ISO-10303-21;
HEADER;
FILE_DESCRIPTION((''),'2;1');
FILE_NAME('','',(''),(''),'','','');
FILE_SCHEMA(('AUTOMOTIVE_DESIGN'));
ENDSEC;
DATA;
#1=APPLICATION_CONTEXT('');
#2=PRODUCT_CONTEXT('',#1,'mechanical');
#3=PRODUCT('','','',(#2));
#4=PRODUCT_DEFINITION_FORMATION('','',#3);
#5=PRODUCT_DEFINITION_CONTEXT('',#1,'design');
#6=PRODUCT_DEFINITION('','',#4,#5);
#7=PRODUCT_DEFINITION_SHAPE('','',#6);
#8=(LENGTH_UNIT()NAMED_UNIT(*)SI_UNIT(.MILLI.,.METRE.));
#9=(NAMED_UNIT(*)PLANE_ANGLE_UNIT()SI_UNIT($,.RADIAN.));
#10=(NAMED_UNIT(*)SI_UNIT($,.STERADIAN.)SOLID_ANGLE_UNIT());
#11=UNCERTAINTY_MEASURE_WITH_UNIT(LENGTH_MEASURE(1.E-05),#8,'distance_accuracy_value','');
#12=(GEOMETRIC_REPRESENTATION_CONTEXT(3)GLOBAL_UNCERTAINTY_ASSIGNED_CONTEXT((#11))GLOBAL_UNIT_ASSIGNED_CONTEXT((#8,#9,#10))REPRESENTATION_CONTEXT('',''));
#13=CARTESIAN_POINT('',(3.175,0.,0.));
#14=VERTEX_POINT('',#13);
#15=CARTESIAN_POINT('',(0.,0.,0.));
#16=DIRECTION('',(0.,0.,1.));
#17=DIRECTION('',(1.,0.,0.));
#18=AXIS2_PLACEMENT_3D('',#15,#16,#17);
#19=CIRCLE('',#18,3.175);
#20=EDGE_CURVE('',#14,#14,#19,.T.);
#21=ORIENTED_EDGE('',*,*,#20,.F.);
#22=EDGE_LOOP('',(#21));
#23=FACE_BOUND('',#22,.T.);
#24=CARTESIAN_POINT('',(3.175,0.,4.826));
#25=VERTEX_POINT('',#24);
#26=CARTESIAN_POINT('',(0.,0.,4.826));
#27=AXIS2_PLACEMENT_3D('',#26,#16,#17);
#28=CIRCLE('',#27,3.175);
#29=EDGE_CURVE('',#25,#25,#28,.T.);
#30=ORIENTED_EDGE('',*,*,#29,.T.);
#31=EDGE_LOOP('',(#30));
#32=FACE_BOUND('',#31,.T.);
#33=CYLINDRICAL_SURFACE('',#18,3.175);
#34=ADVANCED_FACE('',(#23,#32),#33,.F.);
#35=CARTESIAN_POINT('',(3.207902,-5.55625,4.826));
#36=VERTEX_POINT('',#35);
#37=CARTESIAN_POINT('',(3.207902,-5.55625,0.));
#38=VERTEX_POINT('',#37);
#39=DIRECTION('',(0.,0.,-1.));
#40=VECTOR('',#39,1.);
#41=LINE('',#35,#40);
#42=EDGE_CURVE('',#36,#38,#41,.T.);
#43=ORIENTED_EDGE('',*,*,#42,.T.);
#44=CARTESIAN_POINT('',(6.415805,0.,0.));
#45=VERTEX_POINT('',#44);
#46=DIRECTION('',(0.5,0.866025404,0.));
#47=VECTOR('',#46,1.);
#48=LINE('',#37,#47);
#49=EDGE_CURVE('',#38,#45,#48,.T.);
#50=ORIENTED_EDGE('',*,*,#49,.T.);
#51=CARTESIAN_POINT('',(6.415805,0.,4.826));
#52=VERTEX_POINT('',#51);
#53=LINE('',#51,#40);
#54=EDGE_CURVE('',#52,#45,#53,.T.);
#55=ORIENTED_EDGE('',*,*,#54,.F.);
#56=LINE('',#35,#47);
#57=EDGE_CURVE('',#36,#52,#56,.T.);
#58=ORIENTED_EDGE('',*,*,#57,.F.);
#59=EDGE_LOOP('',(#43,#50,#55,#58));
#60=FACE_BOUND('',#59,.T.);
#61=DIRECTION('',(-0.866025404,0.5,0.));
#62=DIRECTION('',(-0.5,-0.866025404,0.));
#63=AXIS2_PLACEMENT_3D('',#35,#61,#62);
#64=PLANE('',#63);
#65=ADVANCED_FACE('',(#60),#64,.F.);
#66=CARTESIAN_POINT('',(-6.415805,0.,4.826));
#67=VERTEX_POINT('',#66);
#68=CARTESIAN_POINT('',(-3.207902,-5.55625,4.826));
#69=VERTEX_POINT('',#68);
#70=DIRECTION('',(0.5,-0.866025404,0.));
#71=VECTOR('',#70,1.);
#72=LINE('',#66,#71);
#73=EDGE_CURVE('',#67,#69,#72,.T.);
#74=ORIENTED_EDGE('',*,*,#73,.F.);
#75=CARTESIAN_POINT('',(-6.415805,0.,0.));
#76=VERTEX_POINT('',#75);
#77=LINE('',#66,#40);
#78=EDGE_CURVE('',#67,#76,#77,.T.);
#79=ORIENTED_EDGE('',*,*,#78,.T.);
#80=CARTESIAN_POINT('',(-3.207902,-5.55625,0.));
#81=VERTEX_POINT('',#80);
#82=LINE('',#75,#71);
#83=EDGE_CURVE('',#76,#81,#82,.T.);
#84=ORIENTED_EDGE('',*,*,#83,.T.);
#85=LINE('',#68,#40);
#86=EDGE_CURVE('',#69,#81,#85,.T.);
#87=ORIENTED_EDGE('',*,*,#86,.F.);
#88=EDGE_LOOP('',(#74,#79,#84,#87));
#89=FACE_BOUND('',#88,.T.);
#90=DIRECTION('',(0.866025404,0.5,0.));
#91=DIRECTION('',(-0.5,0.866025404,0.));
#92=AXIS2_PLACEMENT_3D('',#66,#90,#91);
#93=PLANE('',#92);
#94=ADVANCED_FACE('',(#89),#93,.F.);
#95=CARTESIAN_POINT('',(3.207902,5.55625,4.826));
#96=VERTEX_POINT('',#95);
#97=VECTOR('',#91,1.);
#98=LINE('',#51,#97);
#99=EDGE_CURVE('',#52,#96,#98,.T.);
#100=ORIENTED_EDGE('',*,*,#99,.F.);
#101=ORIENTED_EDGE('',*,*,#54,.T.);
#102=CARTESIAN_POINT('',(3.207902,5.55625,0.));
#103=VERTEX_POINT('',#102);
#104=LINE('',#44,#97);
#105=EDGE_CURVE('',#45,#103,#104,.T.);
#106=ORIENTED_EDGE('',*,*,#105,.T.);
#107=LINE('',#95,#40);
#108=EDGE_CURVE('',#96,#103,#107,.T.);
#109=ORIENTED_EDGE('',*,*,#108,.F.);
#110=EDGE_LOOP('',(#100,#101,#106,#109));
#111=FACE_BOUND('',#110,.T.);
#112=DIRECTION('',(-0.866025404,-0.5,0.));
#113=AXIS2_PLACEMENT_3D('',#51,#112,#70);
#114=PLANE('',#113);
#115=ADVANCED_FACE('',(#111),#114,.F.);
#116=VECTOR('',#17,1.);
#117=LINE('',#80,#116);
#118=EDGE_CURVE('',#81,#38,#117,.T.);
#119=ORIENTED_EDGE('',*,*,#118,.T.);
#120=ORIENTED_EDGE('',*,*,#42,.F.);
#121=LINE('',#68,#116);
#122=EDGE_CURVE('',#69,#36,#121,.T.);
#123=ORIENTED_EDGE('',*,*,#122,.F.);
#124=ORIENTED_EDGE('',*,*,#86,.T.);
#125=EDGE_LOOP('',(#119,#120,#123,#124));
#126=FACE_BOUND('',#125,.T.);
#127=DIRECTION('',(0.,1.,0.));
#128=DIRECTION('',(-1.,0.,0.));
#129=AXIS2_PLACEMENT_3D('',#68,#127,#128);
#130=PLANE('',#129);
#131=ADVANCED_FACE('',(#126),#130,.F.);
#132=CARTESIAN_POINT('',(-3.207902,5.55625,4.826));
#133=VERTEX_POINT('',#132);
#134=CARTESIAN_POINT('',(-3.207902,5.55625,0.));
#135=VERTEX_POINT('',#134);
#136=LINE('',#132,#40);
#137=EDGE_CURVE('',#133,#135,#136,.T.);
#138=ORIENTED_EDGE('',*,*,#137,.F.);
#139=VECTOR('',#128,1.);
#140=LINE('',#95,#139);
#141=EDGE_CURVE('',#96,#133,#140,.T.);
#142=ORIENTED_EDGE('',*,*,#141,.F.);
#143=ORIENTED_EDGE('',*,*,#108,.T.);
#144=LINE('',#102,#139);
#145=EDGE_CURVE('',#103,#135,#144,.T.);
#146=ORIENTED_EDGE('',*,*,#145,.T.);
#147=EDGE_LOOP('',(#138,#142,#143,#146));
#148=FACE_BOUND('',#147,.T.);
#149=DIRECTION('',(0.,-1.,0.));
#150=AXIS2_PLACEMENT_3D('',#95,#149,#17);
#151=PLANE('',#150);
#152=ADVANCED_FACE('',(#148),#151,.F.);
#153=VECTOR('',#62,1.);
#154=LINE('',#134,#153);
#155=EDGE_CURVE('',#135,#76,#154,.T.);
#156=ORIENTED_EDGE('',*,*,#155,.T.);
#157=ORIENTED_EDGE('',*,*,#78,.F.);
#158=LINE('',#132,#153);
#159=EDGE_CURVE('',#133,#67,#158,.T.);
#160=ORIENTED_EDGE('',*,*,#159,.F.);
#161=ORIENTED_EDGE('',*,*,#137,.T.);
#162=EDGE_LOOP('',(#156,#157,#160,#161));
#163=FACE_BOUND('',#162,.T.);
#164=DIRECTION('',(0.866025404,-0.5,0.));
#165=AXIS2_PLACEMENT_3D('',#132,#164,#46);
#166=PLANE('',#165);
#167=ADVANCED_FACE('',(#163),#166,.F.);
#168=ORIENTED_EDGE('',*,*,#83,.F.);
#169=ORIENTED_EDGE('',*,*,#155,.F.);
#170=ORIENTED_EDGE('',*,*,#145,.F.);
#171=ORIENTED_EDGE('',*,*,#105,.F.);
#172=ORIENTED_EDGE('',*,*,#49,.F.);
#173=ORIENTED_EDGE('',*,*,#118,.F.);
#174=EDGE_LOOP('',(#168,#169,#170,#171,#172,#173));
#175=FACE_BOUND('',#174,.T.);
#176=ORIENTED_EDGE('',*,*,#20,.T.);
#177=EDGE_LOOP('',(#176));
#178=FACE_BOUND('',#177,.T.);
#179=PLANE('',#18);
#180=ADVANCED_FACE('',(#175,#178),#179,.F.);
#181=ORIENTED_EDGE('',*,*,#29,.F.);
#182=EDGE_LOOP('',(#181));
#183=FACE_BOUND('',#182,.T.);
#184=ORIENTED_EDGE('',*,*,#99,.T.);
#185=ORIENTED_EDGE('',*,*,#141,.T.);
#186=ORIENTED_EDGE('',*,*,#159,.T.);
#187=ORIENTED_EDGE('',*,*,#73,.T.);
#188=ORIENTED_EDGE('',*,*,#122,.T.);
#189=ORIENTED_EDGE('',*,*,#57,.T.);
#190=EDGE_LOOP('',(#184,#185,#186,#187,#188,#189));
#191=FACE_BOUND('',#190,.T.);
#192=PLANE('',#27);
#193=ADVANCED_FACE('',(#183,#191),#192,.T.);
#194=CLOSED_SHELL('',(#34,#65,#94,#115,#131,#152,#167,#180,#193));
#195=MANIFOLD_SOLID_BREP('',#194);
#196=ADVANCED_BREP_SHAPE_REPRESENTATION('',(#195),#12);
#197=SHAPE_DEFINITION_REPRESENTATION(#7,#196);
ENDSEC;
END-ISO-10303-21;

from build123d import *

# Parameters (mm, degrees)
BOSS_EXTRUDE1_DEPTH = 4.826
SKETCH2_R           = 3.175
CUT_EXTRUDE1_DEPTH  = 10.763439053


with BuildPart() as part:
    # Sketch1 → Boss-Extrude1 (new body)
    with BuildSketch(Plane.XY):
        Polygon((-6.415804866, 0), (-3.207902433, -5.55625), (3.207902433, -5.55625), (6.415804866, 0), (3.207902433, 5.55625), (-3.207902433, 5.55625), align=None)
    extrude(amount=BOSS_EXTRUDE1_DEPTH)

    # Sketch2 → Cut-Extrude1 (cut, through all)
    with BuildSketch(Plane.XY.offset(4.826)):
        Circle(SKETCH2_R)
    extrude(amount=-CUT_EXTRUDE1_DEPTH, mode=Mode.SUBTRACT)


solid = part.part
